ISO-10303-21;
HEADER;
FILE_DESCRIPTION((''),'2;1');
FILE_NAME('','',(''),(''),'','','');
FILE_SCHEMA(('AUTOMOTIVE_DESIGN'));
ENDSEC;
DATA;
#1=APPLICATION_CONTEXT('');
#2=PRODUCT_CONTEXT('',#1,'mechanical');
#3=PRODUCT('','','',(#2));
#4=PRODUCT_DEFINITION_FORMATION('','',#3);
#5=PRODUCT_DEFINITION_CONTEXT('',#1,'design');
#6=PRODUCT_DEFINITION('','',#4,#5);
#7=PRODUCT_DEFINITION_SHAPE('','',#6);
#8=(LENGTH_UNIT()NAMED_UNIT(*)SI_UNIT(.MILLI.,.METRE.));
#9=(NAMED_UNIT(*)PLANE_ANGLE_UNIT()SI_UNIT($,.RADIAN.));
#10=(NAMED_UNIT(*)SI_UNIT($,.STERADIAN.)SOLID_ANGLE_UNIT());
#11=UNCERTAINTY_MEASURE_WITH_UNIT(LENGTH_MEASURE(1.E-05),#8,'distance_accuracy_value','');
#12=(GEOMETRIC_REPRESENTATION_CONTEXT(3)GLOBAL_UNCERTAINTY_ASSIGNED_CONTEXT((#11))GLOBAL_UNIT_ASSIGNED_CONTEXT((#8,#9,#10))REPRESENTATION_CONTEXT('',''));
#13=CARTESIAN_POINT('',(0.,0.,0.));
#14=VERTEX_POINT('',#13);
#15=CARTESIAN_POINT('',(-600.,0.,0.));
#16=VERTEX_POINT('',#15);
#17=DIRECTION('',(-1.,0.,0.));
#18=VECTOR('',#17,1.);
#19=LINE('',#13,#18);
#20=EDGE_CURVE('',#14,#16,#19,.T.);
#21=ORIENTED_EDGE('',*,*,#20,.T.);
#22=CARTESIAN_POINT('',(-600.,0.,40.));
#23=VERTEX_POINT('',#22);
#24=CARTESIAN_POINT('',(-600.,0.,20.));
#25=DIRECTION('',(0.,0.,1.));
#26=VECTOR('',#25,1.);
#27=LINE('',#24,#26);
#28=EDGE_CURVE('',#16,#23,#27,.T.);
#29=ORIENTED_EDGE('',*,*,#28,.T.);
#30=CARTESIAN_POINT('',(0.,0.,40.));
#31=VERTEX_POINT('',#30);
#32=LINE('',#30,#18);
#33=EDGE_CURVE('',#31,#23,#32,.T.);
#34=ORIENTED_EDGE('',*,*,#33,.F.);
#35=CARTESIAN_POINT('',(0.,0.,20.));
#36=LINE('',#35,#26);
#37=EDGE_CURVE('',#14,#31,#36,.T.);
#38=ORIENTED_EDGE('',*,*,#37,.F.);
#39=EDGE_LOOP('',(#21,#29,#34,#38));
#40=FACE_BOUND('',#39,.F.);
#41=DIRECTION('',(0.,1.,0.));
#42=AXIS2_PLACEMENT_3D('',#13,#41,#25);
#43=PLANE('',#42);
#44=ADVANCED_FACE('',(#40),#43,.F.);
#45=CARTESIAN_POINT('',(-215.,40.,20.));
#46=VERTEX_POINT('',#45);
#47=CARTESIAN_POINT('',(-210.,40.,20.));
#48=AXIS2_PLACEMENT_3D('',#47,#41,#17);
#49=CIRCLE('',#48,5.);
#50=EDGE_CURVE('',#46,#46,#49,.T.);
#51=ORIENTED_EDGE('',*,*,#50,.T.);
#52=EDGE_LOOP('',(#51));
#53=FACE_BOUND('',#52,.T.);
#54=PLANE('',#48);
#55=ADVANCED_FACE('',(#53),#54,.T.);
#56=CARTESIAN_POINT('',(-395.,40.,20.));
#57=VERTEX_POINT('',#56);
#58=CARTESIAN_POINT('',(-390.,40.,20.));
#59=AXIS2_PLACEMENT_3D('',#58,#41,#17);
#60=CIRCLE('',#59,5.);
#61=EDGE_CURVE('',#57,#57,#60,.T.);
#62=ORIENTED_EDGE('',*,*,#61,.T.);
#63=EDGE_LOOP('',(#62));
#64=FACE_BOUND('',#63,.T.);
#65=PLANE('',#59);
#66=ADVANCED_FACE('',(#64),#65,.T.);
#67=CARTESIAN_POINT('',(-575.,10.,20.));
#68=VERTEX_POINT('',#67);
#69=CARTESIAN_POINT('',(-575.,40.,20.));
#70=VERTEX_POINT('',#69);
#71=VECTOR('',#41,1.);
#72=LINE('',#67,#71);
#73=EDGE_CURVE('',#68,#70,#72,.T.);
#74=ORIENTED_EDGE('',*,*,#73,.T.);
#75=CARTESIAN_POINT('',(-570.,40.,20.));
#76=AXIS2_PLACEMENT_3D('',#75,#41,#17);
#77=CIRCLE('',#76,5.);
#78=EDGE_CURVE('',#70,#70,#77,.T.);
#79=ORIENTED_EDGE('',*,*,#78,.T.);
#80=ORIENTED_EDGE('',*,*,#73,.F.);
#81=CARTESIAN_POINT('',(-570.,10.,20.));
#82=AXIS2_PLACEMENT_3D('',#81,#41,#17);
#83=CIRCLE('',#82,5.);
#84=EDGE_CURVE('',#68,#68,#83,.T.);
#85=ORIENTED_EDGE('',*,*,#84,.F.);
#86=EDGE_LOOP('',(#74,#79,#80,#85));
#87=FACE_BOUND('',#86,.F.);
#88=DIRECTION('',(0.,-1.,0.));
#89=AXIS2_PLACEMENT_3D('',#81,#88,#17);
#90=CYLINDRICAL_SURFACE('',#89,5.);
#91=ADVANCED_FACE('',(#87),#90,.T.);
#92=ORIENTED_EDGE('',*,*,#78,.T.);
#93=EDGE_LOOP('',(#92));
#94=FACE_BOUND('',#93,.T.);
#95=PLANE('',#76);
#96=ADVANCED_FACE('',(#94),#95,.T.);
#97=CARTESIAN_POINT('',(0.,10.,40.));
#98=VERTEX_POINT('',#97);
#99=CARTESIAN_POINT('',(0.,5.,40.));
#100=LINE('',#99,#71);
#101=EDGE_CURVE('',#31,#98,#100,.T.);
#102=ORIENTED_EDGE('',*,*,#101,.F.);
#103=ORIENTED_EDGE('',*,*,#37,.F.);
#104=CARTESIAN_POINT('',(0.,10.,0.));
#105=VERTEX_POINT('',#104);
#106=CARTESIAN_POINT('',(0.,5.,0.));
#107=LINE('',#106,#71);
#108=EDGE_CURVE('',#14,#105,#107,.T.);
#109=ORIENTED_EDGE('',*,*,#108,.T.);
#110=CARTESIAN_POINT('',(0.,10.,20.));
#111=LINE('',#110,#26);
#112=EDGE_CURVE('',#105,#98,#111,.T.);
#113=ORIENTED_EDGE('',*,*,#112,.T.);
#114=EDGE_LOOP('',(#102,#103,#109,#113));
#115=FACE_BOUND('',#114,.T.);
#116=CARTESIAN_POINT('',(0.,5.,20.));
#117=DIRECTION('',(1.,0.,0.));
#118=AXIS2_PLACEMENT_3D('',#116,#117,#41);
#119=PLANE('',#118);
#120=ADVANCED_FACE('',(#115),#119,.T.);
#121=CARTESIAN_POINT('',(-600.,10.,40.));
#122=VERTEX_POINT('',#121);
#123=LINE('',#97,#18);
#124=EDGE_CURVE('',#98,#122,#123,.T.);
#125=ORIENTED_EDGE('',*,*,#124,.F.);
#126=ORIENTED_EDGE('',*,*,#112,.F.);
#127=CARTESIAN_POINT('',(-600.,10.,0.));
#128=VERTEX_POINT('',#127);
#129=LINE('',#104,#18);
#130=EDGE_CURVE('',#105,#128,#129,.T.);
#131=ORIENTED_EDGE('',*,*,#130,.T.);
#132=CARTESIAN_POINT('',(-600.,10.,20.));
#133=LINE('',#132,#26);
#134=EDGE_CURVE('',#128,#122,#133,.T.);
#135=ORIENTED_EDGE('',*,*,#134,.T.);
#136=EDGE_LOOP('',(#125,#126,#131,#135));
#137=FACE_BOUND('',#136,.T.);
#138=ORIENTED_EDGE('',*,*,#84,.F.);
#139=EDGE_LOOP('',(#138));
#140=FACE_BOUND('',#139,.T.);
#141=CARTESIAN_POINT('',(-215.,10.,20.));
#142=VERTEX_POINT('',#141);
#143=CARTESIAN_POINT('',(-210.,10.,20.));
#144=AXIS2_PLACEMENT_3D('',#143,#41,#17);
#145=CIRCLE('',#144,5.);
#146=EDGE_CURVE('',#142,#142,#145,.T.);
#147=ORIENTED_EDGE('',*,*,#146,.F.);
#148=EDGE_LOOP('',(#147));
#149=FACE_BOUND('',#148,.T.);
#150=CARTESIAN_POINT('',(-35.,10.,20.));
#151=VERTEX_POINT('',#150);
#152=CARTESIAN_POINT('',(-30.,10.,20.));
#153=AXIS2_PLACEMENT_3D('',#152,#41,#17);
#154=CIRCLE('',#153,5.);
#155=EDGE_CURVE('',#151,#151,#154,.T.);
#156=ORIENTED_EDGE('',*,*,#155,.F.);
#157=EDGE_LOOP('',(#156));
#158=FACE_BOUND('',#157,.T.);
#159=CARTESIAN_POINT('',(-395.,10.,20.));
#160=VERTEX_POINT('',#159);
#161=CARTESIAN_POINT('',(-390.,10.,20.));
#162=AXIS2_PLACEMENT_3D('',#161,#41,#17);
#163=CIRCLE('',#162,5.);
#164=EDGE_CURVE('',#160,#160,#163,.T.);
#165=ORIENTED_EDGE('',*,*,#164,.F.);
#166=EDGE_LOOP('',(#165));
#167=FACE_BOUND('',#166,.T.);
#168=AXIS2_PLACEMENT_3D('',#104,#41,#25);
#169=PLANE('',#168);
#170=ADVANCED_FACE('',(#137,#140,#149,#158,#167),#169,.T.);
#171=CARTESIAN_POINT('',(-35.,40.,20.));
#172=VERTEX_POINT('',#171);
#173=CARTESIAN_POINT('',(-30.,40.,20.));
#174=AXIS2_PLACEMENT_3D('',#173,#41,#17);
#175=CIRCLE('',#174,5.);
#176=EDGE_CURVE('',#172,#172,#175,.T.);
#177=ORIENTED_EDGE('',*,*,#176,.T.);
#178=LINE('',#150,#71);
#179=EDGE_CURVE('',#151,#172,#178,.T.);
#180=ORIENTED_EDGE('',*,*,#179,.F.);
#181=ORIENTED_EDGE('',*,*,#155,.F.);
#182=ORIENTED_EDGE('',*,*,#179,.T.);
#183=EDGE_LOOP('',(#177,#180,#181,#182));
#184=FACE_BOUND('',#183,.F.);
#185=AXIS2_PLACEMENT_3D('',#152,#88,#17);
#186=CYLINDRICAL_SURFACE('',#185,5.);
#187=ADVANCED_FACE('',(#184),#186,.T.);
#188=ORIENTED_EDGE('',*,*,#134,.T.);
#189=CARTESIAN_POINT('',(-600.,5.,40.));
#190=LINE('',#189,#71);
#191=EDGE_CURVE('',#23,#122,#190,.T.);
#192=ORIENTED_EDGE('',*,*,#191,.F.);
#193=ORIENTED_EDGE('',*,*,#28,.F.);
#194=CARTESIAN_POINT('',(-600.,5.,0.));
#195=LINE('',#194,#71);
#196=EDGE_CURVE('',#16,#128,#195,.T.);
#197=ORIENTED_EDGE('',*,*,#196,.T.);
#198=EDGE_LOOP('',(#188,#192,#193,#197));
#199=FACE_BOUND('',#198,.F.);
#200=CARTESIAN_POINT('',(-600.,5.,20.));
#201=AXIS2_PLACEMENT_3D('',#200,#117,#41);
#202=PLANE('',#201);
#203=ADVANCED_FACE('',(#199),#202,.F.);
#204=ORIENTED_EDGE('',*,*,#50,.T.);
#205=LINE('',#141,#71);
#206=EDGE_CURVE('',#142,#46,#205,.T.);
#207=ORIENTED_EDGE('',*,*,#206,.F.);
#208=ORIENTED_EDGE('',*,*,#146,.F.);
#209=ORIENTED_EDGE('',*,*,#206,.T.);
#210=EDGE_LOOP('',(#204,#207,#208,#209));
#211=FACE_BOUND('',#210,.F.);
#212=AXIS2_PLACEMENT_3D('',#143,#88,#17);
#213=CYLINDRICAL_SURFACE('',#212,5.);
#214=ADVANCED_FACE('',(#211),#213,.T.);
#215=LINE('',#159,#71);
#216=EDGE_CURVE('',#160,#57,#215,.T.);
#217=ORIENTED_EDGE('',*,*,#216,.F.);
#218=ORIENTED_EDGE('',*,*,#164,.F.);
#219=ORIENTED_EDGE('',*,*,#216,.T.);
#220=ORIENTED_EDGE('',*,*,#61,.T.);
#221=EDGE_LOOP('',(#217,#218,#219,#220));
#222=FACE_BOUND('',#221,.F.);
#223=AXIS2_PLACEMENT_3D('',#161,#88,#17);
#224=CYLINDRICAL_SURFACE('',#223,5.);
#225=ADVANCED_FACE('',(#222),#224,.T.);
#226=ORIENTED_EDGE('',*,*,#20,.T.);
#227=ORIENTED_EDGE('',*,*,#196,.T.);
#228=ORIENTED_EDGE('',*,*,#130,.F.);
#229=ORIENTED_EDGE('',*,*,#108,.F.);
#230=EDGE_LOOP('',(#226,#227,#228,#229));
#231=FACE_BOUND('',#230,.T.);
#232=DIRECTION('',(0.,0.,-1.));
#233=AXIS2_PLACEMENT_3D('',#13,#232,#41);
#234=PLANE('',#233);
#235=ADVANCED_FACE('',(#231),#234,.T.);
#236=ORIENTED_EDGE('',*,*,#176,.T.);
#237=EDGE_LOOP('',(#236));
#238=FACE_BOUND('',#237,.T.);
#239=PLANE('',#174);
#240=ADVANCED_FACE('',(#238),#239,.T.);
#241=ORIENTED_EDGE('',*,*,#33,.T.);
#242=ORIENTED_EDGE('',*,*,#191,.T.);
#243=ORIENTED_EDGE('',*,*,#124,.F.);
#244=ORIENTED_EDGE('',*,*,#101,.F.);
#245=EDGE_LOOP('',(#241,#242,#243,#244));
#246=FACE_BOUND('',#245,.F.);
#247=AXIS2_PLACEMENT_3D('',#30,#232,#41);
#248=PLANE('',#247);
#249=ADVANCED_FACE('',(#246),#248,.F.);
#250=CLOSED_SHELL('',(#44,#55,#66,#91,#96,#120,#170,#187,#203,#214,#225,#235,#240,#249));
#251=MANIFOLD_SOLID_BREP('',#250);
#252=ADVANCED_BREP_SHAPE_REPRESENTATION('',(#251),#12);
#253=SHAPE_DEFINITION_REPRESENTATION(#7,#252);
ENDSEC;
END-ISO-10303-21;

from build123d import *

# Parameters (mm, degrees)
F0_W     = 10
F0_H     = 40
F1_DEPTH = 600
F2_R     = 5
F3_DEPTH = 30


with BuildPart() as f1:
    # F0 (on Right) → F1 (new body)
    with BuildSketch(Plane.YZ):
        with Locations((5, 20)):
            Rectangle(F0_W, F0_H)
    extrude(amount=-F1_DEPTH)

    # F2 (on face) → F3 (join)
    with BuildSketch(Plane(origin=(0, 10, 0), x_dir=(-1, 0, 0), z_dir=(0, 1, 0))):
        with Locations((570, 20)):
            Circle(F2_R)
        with Locations((390, 20)):
            Circle(F2_R)
        with Locations((210, 20)):
            Circle(F2_R)
        with Locations((30, 20)):
            Circle(F2_R)
    extrude(amount=F3_DEPTH)


solid = f1.part
